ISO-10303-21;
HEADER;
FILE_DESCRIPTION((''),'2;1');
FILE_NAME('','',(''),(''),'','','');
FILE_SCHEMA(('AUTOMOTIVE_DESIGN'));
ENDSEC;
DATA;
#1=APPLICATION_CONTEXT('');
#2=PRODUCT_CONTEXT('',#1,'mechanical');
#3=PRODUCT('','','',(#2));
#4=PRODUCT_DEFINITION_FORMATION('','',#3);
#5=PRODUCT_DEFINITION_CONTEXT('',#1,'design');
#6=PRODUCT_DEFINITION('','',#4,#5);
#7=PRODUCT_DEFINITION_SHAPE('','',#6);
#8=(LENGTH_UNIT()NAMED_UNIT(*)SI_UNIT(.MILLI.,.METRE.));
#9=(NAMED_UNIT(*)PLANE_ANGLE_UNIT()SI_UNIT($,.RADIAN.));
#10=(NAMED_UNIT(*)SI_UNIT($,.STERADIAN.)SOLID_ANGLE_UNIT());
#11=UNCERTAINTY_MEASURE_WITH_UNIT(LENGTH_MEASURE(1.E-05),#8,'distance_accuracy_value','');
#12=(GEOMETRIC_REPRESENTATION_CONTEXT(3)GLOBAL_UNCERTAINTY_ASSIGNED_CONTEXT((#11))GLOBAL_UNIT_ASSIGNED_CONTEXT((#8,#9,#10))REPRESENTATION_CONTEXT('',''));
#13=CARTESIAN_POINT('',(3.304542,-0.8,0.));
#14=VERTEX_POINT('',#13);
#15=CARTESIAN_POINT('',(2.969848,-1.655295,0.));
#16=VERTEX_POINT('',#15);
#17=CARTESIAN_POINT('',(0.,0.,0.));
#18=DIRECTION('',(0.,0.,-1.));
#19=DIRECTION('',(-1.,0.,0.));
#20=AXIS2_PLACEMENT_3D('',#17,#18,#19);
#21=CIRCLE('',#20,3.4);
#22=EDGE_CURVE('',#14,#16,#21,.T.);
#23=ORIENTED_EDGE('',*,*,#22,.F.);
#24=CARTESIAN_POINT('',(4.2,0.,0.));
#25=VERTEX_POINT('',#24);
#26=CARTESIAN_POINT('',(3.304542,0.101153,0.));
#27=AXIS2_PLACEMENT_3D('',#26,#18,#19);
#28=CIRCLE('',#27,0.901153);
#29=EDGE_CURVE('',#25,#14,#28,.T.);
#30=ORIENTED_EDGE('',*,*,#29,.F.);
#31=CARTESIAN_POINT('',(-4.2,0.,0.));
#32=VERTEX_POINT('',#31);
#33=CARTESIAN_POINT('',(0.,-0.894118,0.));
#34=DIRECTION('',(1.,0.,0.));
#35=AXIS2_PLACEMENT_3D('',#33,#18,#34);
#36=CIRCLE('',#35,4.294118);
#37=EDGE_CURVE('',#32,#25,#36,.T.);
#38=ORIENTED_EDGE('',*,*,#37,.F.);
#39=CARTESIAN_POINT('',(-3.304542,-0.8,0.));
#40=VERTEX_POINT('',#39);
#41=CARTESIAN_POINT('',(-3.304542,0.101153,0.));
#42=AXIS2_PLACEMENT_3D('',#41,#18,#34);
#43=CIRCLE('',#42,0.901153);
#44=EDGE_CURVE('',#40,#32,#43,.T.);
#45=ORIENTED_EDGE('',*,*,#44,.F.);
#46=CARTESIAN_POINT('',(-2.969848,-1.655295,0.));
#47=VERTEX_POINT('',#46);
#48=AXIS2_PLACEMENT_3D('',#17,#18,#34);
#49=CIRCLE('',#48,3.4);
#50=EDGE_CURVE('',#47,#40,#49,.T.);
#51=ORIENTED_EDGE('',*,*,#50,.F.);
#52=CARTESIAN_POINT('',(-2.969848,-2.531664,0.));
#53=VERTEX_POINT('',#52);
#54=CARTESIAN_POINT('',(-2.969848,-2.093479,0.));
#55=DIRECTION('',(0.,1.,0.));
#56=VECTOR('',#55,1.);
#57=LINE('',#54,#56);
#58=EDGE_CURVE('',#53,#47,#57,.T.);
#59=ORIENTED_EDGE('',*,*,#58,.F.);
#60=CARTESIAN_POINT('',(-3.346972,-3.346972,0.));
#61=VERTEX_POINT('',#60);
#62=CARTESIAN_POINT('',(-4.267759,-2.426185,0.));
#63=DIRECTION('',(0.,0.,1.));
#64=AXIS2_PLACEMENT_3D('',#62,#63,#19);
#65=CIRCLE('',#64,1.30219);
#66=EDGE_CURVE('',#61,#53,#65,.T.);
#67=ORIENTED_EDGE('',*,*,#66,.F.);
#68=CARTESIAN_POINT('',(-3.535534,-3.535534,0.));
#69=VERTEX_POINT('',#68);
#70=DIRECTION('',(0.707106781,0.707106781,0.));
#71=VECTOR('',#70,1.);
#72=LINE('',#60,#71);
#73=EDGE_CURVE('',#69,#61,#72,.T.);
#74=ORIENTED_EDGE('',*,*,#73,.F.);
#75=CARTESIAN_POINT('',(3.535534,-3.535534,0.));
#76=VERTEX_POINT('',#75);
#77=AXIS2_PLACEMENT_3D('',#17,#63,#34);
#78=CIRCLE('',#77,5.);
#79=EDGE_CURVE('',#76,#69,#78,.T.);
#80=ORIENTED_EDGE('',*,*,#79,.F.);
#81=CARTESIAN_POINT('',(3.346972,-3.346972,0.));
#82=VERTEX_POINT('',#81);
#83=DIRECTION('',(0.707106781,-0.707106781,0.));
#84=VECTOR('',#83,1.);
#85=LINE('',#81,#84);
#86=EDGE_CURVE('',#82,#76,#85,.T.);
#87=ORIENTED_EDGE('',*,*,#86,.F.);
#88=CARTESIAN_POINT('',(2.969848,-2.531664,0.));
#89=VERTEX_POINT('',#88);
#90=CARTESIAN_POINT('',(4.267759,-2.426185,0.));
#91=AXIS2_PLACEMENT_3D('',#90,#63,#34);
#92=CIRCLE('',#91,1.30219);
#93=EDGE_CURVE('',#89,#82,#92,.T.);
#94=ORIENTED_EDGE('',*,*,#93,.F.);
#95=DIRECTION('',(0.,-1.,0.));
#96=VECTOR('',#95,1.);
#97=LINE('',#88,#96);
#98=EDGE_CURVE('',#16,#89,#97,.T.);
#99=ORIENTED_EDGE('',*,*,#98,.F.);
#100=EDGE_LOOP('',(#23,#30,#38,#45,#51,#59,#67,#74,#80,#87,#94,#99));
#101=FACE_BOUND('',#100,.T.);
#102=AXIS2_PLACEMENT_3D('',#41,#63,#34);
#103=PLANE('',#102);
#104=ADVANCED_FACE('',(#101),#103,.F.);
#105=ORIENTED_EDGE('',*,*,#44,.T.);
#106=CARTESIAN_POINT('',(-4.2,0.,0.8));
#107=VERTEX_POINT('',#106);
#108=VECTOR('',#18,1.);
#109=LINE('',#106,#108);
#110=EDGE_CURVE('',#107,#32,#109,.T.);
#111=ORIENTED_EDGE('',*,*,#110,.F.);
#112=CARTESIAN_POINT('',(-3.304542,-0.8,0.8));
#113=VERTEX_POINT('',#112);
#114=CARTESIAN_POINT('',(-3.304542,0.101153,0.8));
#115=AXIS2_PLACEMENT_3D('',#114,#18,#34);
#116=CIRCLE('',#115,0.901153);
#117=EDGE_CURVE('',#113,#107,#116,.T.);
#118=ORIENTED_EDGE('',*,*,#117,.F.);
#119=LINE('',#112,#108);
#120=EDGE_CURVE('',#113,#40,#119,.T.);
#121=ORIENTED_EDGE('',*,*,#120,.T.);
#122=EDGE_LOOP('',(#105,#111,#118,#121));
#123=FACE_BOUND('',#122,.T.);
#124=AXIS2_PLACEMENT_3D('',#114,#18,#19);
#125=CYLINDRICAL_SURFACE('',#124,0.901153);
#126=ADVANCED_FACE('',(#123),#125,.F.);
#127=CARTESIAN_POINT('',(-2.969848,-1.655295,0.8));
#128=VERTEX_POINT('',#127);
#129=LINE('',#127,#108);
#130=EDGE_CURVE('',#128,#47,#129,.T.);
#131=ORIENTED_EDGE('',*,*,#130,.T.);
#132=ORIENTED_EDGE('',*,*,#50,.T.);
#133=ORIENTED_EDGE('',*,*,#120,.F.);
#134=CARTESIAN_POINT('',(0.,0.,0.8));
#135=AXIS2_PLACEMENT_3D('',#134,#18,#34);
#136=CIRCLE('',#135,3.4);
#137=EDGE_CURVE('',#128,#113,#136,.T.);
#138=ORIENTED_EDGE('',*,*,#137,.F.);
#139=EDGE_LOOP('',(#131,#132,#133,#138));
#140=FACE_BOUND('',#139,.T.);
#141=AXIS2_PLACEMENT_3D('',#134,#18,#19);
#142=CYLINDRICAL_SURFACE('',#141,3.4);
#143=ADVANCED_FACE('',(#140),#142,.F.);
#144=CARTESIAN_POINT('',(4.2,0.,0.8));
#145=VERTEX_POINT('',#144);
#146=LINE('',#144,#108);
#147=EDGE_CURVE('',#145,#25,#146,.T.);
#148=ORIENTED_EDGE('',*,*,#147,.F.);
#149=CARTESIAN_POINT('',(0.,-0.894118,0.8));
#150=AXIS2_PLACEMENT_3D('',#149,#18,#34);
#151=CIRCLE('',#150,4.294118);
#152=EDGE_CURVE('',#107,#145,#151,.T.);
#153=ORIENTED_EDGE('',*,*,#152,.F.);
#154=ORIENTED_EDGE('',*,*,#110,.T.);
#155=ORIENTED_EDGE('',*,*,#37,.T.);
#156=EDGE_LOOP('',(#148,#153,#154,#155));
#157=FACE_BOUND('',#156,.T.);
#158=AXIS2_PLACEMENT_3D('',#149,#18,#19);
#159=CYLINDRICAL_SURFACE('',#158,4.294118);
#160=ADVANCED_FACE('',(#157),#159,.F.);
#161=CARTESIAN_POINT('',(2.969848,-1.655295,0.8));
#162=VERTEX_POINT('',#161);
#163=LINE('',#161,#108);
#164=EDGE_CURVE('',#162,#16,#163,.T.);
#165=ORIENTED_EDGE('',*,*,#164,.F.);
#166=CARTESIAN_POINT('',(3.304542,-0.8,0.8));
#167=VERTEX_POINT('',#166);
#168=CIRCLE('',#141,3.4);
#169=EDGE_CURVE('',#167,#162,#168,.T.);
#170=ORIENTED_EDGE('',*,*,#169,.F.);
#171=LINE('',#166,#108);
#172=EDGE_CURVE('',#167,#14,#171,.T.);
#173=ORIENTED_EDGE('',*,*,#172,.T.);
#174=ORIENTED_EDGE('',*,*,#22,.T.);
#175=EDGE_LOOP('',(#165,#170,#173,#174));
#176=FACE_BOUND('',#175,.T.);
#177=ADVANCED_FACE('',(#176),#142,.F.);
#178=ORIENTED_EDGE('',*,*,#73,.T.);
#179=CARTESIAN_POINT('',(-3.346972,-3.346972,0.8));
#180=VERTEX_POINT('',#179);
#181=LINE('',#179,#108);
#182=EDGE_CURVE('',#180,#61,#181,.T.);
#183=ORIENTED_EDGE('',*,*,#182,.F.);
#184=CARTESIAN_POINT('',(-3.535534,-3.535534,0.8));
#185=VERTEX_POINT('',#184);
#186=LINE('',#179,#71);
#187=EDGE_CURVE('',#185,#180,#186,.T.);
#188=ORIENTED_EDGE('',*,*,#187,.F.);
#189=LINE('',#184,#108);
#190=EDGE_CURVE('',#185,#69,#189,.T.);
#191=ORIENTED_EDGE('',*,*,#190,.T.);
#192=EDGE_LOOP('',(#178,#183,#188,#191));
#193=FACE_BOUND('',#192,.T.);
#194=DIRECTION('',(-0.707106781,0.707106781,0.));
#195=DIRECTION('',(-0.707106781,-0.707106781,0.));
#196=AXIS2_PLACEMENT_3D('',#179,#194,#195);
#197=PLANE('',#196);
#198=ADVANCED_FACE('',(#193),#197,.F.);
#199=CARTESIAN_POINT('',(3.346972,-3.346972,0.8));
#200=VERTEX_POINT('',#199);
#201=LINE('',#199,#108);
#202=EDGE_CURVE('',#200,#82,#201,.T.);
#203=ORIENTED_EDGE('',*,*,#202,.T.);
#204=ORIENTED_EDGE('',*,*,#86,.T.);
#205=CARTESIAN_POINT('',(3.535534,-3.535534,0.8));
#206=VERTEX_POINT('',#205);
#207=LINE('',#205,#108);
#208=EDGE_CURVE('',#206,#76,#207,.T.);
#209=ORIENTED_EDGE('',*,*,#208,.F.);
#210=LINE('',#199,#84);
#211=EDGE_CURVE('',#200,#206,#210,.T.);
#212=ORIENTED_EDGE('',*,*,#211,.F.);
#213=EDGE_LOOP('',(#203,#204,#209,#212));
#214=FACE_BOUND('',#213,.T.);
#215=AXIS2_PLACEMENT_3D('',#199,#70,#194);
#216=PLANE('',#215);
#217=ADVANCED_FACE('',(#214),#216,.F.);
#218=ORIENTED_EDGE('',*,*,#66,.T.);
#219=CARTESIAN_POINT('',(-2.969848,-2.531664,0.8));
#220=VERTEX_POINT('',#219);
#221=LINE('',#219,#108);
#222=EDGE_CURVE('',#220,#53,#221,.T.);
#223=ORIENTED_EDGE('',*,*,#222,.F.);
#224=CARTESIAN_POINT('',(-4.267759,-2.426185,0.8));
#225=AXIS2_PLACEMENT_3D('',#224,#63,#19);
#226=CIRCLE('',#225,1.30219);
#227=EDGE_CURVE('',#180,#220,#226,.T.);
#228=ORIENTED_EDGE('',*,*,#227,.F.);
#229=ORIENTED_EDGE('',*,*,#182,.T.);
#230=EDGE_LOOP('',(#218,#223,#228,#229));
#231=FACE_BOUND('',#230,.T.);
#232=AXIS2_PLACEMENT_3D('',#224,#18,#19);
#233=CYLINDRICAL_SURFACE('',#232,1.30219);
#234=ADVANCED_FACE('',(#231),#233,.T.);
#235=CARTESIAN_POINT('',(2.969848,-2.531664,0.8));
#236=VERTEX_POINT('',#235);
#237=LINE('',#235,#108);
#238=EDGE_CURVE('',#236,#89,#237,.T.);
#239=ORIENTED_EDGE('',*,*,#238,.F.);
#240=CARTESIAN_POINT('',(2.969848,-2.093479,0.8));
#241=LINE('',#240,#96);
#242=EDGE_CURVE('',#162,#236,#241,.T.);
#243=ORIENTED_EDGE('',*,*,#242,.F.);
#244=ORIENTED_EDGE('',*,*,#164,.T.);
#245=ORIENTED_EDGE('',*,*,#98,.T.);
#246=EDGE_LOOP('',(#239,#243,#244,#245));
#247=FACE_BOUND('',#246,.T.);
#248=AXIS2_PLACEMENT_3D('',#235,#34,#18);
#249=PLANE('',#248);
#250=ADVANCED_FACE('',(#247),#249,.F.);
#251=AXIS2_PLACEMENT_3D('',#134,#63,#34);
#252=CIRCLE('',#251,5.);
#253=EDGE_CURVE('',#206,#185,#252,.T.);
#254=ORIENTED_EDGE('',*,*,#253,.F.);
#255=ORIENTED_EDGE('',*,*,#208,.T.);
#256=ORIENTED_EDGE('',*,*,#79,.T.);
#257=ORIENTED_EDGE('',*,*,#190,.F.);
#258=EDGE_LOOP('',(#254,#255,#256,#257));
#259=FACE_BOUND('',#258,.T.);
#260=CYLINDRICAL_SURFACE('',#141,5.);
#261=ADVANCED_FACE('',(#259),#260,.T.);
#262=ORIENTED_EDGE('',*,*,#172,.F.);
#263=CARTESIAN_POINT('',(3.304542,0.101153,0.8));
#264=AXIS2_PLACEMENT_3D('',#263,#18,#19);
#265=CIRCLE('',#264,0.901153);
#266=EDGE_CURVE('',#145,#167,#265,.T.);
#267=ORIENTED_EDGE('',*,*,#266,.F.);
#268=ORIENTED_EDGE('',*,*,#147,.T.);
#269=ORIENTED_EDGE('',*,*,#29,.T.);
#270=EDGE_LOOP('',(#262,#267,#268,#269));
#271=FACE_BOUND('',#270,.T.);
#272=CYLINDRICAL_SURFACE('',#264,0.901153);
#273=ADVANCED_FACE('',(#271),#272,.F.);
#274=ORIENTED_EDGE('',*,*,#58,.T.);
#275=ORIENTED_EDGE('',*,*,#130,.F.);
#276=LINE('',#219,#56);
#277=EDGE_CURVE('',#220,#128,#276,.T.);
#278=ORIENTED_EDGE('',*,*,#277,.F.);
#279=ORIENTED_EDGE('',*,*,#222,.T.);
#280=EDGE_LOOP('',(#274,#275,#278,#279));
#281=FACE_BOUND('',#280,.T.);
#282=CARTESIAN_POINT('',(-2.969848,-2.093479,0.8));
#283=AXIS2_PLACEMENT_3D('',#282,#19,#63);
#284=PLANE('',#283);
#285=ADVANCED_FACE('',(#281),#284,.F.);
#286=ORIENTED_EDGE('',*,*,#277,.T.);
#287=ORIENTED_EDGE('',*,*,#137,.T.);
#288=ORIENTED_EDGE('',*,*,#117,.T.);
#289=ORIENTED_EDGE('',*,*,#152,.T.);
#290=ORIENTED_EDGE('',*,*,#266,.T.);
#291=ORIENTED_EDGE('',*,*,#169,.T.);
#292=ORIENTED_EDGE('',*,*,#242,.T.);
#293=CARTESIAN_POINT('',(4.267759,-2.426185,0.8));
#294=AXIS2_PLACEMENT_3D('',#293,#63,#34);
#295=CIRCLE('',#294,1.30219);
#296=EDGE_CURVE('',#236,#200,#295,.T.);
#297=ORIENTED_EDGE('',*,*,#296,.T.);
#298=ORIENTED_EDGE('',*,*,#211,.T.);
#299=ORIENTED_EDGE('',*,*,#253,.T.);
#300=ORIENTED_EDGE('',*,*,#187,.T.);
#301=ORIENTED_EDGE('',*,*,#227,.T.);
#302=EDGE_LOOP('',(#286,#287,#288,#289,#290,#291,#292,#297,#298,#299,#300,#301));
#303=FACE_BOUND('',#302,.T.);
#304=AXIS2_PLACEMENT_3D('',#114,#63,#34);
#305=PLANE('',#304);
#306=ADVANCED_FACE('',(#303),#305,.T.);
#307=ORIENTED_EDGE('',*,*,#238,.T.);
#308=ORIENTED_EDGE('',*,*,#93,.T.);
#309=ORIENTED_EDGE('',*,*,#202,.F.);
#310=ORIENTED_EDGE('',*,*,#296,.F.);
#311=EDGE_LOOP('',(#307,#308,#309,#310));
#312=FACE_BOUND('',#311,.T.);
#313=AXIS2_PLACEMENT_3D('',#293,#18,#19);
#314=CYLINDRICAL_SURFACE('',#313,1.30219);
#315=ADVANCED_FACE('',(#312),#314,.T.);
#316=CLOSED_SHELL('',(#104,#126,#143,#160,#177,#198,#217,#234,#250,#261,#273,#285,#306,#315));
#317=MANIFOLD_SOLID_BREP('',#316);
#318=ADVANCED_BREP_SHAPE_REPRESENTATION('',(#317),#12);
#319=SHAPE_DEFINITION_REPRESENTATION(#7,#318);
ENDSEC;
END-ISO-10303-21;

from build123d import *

# Parameters (mm, degrees)
BOSS_EXTRUDE1_DEPTH = 0.8


with BuildPart() as part:
    # Sketch2 → Boss-Extrude1 (new body)
    with BuildSketch(Plane.XY):
        with BuildLine():
            Line((-2.969848481, -2.531663833), (-2.969848481, -2.093479184))
            Line((-2.969848481, -2.093479184), (-2.969848481, -1.655294536))
            ThreePointArc((-2.969848481, -1.655294536), (-3.166208646, -1.239000729), (-3.304542328, -0.8))
            ThreePointArc((-3.304542328, -0.8), (-3.904926464, -0.570870449), (-4.2, 0))
            ThreePointArc((-4.2, 0), (0, 3.4), (4.2, 0))
            ThreePointArc((4.2, 0), (3.904926464, -0.570870449), (3.304542328, -0.8))
            ThreePointArc((3.304542328, -0.8), (3.166208646, -1.239000729), (2.969848481, -1.655294536))
            Line((2.969848481, -1.655294536), (2.969848481, -2.093479184))
            Line((2.969848481, -2.093479184), (2.969848481, -2.531663833))
            ThreePointArc((2.969848481, -2.531663833), (3.085880671, -2.972866787), (3.346972098, -3.346972098))
            Line((3.346972098, -3.346972098), (3.535533906, -3.535533906))
            ThreePointArc((3.535533906, -3.535533906), (0, 5), (-3.535533906, -3.535533906))
            Line((-3.535533906, -3.535533906), (-3.346972098, -3.346972098))
            ThreePointArc((-3.346972098, -3.346972098), (-3.085880671, -2.972866787), (-2.969848481, -2.531663833))
        make_face()
    extrude(amount=BOSS_EXTRUDE1_DEPTH)


solid = part.part
